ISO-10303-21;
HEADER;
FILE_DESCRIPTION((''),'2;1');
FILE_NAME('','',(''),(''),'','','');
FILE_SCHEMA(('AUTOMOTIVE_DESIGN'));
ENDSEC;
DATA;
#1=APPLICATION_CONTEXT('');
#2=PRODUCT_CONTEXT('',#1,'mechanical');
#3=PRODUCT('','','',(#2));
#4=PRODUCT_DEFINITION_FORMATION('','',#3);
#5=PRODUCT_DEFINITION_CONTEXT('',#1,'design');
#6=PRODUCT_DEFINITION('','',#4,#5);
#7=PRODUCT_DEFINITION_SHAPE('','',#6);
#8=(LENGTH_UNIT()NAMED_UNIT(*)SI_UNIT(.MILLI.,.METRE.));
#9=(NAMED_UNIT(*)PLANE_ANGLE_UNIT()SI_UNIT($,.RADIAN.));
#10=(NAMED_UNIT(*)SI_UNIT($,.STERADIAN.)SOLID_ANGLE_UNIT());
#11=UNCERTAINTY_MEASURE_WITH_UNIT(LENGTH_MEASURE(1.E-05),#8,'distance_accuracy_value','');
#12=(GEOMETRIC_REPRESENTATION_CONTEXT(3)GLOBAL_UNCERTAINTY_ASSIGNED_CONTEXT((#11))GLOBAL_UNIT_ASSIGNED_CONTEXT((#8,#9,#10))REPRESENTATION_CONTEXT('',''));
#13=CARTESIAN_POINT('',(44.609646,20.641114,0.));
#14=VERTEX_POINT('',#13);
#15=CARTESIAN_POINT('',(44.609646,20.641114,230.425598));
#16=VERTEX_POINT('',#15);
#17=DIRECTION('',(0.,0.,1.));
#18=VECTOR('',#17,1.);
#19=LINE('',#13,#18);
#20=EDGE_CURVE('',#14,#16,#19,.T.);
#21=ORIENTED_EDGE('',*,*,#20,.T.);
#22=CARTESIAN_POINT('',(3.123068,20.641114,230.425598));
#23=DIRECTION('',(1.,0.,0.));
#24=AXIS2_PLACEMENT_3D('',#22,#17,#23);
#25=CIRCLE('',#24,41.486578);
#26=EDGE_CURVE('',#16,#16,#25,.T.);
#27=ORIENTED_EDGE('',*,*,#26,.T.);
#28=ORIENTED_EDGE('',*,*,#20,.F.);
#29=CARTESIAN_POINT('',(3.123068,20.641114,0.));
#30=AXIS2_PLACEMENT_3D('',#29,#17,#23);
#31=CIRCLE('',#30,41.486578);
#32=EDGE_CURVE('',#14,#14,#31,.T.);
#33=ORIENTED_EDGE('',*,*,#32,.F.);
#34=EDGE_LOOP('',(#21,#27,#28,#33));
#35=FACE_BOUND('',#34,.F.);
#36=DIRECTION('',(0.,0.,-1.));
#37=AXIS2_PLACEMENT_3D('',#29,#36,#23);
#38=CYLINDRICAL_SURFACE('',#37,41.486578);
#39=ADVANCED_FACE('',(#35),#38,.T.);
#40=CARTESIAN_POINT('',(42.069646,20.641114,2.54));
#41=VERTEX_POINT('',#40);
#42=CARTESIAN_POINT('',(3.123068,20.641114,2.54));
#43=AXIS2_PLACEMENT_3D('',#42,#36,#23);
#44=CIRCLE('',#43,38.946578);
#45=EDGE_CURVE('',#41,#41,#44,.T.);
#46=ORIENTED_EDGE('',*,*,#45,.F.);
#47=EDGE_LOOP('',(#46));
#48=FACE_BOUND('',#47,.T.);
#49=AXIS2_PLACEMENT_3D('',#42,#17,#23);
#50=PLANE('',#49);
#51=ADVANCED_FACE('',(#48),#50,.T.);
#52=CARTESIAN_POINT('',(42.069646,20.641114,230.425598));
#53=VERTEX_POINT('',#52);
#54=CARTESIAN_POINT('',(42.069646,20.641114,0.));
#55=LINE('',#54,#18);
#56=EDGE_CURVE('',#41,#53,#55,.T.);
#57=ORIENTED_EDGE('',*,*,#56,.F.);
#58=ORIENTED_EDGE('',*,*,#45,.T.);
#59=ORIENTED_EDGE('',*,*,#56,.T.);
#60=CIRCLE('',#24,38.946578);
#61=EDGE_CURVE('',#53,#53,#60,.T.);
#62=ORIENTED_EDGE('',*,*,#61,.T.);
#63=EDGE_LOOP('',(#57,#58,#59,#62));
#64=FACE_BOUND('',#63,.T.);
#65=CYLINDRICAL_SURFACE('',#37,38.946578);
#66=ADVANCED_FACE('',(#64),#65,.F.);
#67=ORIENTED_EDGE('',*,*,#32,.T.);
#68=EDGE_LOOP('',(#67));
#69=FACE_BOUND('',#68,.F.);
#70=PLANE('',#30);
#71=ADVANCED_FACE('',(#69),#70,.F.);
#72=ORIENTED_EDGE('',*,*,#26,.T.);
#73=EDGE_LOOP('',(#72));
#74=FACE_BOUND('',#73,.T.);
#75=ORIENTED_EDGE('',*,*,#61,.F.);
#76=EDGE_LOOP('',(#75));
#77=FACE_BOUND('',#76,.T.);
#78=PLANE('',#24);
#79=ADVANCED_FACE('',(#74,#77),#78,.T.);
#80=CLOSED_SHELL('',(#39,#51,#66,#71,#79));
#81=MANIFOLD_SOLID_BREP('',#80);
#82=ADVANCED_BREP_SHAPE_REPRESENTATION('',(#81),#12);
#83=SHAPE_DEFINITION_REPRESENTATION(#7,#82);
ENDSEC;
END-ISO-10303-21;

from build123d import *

# Parameters (mm, degrees)
F1_R     = 41.486578
F2_DEPTH = 230.425598
F3_T     = -2.54


with BuildPart() as f2:
    # F1 (on face) → F2 (new body)
    with BuildSketch(Plane.XY):
        with Locations((3.123068, 20.641114)):
            Circle(F1_R)
    extrude(amount=F2_DEPTH)

    # F3
    f3_openings = [f2.faces().sort_by_distance(p)[0] for p in [
        (3.123068, 20.641114, 230.425598),
    ]]
    offset(amount=F3_T, openings=f3_openings)


solid = f2.part
